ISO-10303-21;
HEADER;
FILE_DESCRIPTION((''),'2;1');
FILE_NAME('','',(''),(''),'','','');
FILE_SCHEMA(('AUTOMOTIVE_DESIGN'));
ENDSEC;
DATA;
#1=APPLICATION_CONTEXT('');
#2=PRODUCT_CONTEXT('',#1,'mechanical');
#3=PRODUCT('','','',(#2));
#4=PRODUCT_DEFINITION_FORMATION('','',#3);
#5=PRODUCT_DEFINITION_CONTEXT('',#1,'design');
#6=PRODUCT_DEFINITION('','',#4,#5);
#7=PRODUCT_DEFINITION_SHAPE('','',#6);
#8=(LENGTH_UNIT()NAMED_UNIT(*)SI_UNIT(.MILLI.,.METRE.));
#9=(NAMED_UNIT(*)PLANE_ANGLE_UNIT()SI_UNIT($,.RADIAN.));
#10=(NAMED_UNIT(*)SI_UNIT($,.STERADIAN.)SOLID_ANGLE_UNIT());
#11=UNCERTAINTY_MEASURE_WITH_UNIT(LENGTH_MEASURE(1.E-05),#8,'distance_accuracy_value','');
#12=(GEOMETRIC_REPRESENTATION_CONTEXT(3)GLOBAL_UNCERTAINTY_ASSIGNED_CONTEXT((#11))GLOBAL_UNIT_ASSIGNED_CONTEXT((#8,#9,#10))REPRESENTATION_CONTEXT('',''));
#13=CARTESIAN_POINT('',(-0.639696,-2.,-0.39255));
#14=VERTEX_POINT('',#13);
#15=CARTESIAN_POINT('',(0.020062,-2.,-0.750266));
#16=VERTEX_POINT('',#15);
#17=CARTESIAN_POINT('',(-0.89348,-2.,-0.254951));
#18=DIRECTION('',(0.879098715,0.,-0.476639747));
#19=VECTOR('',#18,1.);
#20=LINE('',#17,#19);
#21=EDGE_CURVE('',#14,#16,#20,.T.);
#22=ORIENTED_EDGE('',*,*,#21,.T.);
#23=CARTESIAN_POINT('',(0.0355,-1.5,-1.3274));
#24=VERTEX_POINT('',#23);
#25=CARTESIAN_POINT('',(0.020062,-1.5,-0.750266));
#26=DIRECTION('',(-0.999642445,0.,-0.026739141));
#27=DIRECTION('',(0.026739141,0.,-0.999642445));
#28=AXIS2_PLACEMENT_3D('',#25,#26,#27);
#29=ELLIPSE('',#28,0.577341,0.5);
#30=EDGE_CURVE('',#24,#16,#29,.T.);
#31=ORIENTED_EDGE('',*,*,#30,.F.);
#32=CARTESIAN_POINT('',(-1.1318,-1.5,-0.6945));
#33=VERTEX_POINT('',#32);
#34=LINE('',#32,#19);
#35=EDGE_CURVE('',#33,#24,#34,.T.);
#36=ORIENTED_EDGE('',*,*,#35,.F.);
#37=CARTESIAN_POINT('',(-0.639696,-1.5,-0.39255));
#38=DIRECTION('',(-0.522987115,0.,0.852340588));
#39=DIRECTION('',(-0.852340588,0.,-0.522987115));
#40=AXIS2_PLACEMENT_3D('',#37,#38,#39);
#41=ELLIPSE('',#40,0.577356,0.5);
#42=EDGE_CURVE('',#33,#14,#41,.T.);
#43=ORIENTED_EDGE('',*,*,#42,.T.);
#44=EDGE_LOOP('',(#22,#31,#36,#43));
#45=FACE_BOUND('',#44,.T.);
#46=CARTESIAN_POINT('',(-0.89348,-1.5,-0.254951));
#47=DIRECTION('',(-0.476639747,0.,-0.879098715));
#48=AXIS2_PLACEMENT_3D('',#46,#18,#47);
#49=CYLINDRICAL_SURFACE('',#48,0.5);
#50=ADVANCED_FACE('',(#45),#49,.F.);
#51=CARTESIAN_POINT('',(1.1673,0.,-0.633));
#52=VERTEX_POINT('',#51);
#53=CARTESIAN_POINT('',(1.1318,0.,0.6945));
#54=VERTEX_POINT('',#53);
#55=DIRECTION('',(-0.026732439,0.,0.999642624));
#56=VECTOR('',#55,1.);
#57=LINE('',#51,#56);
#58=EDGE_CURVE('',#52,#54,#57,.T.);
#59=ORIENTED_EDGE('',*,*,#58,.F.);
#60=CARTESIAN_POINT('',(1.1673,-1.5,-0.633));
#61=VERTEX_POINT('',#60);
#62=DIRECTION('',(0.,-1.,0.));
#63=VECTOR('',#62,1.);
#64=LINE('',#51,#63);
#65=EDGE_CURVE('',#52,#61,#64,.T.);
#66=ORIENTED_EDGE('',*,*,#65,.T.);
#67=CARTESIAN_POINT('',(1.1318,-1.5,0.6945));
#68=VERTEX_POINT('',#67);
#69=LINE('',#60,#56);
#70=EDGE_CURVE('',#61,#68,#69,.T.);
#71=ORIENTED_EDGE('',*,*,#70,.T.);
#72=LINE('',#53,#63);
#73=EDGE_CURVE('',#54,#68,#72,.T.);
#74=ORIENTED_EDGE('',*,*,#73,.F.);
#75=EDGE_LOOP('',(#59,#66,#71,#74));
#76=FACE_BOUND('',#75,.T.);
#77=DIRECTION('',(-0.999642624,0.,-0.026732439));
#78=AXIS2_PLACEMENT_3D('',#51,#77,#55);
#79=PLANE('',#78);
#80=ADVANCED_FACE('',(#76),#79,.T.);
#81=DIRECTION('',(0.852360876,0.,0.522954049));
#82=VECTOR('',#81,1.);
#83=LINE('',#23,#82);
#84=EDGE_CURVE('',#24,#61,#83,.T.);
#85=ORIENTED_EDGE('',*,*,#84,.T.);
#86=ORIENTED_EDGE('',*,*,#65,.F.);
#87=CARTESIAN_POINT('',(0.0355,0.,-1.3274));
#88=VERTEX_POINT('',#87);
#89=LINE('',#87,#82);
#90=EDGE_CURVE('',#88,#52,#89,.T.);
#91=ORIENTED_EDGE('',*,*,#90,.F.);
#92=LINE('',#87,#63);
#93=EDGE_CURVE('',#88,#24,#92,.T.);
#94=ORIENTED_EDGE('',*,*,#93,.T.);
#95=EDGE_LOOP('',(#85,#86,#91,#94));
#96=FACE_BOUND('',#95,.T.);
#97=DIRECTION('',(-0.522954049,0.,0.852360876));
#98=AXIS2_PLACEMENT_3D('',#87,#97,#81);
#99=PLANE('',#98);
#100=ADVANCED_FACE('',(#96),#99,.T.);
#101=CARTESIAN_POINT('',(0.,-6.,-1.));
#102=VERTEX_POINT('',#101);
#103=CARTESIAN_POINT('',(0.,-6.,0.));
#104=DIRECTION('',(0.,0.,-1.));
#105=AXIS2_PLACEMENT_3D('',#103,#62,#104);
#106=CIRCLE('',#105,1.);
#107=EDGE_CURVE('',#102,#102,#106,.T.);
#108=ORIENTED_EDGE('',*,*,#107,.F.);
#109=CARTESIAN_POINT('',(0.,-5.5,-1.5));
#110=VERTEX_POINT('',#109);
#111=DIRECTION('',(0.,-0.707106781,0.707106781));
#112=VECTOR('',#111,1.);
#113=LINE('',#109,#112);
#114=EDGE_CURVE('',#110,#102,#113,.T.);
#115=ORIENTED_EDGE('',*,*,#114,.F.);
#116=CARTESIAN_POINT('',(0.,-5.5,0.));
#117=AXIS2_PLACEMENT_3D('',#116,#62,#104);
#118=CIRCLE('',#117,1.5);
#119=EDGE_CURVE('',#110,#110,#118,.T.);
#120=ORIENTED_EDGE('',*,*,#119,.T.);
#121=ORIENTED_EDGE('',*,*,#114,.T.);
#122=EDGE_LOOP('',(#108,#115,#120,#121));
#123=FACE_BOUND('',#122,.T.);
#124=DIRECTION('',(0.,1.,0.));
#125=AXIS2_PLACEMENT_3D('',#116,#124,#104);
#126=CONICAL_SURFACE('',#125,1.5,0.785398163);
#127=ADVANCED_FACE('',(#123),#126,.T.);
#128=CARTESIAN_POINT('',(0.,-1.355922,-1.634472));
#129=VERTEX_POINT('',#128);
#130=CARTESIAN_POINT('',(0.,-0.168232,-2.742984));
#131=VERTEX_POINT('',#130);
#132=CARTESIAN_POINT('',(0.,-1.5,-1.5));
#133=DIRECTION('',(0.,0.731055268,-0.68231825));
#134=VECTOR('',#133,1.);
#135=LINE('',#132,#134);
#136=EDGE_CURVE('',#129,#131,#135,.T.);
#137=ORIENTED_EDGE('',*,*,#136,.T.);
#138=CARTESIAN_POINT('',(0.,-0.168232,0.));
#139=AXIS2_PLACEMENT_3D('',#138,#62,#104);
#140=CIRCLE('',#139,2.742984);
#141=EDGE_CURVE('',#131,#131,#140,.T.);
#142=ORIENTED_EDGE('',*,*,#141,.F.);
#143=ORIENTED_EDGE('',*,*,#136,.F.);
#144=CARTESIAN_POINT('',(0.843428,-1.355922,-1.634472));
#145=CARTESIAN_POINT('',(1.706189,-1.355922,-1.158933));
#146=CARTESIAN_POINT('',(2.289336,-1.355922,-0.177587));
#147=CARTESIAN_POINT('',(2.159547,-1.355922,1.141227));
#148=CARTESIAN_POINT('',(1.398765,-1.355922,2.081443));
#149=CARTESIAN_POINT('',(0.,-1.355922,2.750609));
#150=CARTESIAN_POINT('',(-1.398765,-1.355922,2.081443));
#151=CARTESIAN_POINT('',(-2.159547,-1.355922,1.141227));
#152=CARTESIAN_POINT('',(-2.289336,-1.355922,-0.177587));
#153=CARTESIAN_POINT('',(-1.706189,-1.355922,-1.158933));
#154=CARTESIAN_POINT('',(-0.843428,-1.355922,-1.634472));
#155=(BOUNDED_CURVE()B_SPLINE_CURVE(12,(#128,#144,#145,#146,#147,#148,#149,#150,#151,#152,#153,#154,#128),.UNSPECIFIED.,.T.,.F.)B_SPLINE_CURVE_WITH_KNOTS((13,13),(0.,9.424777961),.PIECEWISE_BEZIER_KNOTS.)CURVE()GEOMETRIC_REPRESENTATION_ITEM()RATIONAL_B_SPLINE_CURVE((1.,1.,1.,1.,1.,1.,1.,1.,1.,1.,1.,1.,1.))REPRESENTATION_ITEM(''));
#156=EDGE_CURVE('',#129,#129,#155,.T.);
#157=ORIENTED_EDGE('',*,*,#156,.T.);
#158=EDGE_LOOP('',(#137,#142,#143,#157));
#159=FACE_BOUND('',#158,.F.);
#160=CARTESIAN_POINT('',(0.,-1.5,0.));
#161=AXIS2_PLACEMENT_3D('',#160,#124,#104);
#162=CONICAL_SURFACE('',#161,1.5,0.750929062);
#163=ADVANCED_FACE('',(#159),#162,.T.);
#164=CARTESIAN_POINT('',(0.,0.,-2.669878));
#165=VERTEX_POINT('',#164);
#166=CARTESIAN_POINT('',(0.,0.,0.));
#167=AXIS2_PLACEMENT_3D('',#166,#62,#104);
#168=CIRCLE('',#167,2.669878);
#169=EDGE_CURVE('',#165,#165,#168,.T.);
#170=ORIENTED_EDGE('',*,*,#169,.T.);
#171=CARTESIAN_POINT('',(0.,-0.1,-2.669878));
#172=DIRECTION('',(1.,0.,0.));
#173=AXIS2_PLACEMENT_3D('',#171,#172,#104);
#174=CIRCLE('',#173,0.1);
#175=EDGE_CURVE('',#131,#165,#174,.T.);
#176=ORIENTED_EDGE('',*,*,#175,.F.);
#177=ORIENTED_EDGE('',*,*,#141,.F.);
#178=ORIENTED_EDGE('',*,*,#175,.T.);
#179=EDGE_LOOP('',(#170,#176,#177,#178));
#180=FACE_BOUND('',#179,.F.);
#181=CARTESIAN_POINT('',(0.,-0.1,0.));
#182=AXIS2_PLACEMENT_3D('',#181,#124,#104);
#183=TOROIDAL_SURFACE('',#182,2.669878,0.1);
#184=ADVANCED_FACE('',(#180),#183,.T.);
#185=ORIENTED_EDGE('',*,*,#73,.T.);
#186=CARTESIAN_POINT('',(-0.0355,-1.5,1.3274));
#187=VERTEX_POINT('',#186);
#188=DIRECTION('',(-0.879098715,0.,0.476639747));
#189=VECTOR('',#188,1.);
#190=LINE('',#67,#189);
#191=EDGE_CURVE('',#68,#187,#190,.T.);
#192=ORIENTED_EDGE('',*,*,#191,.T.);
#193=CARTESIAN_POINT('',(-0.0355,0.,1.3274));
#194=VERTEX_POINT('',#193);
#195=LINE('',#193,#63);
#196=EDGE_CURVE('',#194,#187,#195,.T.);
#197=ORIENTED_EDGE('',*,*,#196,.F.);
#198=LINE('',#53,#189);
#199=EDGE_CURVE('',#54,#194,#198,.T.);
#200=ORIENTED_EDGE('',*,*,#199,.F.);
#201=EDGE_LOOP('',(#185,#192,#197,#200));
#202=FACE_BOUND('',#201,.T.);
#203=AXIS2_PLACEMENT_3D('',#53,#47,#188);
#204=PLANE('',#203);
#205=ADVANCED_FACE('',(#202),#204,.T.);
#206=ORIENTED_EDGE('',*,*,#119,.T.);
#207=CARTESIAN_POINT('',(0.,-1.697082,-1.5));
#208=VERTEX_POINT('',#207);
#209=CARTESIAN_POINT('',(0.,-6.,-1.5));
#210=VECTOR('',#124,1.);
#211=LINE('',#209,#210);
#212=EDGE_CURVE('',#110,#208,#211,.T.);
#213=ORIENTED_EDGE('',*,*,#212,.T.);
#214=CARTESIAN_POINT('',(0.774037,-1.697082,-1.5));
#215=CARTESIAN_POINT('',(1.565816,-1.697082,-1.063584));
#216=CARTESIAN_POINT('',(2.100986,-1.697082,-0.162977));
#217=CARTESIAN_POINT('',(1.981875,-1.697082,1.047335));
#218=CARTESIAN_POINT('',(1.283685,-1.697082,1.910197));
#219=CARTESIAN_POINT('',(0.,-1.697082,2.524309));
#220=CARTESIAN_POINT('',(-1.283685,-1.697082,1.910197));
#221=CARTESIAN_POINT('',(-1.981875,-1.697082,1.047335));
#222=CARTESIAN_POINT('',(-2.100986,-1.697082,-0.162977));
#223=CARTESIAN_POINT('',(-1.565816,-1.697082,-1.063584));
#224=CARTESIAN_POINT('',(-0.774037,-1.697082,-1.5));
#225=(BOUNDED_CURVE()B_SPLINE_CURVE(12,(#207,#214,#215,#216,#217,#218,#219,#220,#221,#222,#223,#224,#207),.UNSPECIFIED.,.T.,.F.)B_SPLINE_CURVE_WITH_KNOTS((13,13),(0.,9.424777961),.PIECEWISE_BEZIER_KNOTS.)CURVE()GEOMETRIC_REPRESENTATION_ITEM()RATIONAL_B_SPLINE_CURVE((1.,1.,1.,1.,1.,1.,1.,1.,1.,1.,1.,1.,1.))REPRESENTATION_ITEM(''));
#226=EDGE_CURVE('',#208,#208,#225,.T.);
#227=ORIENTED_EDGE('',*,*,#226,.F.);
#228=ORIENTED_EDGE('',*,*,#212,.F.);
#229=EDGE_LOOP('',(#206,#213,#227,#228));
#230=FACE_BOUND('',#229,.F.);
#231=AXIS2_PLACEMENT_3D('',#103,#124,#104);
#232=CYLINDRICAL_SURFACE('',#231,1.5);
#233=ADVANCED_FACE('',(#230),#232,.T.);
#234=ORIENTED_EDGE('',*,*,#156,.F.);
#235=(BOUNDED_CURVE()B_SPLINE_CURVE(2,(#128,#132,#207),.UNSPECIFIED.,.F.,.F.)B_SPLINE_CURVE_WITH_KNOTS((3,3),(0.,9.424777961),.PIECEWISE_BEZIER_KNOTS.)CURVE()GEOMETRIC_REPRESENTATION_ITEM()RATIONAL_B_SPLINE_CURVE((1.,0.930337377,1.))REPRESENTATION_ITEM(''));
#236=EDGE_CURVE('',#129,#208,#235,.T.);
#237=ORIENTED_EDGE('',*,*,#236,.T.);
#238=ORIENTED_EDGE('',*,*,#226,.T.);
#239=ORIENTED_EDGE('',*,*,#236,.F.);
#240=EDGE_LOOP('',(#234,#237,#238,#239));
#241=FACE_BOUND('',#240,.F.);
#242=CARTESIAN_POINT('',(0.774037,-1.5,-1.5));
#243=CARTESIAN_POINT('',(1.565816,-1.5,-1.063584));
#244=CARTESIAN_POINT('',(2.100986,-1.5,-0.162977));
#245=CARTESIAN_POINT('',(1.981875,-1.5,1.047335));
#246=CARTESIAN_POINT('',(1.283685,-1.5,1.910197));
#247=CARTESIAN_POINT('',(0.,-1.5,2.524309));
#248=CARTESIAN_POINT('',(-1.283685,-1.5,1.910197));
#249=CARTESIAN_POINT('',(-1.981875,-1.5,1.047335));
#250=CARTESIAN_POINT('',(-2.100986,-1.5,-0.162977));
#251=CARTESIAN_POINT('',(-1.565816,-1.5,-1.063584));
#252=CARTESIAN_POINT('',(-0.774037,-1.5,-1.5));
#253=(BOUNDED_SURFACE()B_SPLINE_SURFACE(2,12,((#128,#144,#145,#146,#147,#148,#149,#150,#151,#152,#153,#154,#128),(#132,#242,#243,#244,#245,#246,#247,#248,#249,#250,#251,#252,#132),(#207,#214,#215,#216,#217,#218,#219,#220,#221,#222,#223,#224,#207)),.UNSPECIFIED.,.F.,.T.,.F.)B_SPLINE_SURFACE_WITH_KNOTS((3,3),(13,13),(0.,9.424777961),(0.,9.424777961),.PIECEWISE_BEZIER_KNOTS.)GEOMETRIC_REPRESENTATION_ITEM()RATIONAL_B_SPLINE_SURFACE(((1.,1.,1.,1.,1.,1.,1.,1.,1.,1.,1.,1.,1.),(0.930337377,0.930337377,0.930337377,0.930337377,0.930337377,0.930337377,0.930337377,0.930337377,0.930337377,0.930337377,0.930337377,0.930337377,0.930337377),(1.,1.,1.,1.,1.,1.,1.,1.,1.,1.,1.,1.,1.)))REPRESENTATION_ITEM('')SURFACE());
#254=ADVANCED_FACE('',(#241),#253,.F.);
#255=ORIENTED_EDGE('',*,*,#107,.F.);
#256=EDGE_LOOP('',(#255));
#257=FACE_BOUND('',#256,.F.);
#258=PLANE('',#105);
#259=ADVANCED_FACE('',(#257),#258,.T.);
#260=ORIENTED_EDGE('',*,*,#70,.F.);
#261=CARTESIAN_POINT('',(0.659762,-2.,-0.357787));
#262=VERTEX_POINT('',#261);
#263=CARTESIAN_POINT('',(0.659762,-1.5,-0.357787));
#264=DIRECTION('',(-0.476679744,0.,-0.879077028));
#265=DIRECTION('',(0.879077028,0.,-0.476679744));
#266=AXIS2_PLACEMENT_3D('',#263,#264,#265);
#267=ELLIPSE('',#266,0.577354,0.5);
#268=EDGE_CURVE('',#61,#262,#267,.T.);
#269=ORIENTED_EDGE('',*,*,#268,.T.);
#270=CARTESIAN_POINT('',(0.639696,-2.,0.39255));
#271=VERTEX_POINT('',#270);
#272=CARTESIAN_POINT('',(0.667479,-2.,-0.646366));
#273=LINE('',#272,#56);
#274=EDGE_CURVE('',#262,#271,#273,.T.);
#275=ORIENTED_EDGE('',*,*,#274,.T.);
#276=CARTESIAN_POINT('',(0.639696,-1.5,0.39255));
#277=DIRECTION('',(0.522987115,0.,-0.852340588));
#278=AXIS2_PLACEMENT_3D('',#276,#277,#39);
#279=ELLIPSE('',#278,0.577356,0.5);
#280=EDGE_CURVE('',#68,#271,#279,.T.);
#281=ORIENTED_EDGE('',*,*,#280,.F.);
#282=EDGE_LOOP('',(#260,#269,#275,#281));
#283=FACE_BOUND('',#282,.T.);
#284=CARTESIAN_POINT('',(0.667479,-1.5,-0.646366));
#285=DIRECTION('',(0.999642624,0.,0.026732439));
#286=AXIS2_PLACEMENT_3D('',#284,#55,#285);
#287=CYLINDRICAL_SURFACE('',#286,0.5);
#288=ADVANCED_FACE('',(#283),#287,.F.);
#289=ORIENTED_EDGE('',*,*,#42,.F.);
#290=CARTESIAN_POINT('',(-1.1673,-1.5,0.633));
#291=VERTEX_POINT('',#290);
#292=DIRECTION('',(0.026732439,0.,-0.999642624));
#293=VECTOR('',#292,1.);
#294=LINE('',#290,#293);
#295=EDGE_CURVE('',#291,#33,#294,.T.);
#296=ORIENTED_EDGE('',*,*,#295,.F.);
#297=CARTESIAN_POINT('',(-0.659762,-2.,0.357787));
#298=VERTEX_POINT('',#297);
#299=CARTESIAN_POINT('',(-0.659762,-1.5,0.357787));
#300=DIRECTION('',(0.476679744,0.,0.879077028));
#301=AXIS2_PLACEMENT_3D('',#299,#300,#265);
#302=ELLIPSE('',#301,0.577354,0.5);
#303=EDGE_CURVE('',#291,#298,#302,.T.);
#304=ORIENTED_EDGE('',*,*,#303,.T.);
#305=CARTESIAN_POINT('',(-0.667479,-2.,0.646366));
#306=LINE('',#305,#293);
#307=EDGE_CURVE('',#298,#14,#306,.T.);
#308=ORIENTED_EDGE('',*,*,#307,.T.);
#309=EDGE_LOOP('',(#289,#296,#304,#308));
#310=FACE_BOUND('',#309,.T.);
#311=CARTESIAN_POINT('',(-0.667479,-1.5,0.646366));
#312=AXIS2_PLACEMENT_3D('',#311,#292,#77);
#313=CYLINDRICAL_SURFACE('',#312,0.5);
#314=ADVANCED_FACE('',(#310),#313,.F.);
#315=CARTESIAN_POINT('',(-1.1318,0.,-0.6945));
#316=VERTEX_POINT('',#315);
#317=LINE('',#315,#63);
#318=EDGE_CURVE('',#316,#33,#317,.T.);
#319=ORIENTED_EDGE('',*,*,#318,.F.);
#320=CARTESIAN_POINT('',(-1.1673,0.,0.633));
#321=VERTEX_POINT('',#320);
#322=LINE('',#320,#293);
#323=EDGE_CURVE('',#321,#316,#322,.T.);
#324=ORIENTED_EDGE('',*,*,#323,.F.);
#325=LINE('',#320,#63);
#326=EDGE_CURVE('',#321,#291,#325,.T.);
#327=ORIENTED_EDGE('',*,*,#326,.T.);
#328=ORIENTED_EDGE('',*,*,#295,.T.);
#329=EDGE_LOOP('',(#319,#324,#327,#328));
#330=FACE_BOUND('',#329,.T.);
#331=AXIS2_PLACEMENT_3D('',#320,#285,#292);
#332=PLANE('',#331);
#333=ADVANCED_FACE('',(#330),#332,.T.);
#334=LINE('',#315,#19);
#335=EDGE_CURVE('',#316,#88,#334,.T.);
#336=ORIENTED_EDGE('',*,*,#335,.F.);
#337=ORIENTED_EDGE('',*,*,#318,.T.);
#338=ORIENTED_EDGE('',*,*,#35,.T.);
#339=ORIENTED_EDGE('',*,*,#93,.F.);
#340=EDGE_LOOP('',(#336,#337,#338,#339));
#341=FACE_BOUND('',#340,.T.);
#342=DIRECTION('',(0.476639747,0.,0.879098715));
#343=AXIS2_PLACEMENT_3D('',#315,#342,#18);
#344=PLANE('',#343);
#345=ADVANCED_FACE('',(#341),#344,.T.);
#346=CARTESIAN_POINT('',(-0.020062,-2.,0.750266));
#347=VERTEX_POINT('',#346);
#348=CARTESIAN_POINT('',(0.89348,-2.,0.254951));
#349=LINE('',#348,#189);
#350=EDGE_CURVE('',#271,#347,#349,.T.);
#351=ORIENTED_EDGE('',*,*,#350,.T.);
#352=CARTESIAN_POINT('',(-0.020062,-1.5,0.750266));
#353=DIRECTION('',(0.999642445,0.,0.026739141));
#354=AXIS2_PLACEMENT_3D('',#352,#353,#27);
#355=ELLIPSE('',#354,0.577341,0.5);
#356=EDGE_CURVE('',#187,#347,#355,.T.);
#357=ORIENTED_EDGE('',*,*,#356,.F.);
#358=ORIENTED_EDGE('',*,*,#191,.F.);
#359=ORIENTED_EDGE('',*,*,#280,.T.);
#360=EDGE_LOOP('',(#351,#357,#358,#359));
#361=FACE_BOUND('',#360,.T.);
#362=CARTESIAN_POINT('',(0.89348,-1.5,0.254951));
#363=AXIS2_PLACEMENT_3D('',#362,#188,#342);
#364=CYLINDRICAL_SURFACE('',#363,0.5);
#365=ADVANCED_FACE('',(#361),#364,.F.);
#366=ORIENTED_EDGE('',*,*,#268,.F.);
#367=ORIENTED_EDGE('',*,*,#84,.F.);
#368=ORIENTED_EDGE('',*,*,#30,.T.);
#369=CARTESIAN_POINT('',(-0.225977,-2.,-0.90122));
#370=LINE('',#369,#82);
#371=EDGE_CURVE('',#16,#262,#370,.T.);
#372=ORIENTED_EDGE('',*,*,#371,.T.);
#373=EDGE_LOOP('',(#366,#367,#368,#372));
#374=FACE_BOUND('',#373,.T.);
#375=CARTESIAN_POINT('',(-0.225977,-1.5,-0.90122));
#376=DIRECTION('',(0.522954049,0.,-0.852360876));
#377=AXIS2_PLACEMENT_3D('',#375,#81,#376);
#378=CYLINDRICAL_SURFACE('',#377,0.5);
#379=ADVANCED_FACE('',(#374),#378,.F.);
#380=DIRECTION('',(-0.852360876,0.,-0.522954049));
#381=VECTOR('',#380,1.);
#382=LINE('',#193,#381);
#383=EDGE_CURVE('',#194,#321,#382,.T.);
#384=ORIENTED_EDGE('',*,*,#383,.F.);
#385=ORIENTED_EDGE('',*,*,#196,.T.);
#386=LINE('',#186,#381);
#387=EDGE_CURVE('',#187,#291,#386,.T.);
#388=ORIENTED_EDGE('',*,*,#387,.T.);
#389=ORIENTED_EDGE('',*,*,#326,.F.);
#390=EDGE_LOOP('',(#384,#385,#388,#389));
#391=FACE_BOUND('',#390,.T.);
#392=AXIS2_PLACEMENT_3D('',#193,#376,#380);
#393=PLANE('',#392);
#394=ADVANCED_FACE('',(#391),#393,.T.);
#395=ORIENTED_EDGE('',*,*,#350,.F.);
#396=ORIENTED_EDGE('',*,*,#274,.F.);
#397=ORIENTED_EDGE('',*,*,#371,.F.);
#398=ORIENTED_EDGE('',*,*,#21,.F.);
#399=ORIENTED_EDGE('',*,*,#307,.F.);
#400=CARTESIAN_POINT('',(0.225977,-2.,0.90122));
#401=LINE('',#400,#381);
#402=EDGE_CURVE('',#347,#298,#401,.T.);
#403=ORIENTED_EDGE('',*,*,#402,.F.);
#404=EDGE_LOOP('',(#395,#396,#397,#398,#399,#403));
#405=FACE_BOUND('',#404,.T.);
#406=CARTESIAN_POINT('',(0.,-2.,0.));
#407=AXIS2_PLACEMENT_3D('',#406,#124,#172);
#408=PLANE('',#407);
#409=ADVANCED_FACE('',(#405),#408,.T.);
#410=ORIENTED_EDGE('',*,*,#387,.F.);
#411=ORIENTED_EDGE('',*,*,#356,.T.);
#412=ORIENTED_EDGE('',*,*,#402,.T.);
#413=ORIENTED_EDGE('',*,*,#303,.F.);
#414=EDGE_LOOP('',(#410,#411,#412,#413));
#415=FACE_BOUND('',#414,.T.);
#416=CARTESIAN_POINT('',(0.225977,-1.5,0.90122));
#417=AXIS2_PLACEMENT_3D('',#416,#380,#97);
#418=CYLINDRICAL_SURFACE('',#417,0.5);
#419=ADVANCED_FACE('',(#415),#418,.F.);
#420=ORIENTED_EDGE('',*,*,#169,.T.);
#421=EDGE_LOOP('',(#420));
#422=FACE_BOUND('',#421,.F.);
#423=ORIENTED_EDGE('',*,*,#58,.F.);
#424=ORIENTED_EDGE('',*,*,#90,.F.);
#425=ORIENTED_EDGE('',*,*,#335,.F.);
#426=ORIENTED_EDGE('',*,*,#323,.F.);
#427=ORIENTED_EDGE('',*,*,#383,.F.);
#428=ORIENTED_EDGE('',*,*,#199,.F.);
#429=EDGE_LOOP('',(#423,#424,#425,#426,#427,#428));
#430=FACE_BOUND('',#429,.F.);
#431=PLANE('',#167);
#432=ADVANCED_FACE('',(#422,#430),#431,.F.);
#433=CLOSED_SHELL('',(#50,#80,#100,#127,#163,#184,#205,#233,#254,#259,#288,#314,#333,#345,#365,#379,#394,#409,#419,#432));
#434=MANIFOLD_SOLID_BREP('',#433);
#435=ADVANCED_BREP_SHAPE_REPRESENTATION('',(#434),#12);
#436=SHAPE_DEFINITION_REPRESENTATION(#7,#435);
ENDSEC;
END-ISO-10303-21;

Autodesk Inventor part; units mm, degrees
ref_plane "YZ Plane" through (0, 0, 0) normal (1, 0, 0) x (0, 1, 0)
ref_plane "XZ Plane" through (0, 0, 0) normal (0, 1, 0) x (-1, 0, 0)
ref_plane "XY Plane" through (0, 0, 0) normal (0, 0, 1) x (1, 0, 0)
sketch "Szkic2" plane through (0, 0, 0) normal (1, 0, 0) x (0, 1, 0)
  line L0 (0, -2.9) -> (0, 2.9)
  line L1 (-1.5, -1.5) -> (-1.5, 1.5)
  line L2 (-1.5, -1.5) -> (0, -2.9)
  line L3 (-1.5, 1.5) -> (0, 2.9)
  line L4 (0, 0) -> (-6, 0)
  line L5 (-6, 0) -> (-6, -1.5)
  line L6 (-6, -1.5) -> (-1.5, -1.5)
  dimension "d0" = 5.8
  dimension "d2" = 3
  dimension "d3" = 1.5
  dimension "d4" = 6
  dimension "d5" = 1.5
revolve "Obrót1" add sketch "Szkic2" angle 360 about axis through (0, 0, 0) along (0, -1, 0) contours L2 L1 L4 L0 | L6 L5 L4 L1
sketch "Szkic3" plane through (0, 0, 0) normal (0, 1, 0) x (1, 0, 0)
  line L0 (-1.1673, -0.633) -> (-1.1318, 0.6945)
  line L1 (-1.1318, 0.6945) -> (0.0355, 1.3274)
  line L2 (0.0355, 1.3274) -> (1.1673, 0.633)
  line L3 (1.1673, 0.633) -> (1.1318, -0.6945)
  line L4 (1.1318, -0.6945) -> (-0.0355, -1.3274)
  line L5 (-0.0355, -1.3274) -> (-1.1673, -0.633)
  point P0 (0, 0)
  point P1 (0, 0)
  dimension "d7" = 2.3
extrude "Wyciągnięcie proste1" cut sketch "Szkic3" against normal blind 2
fillet "Zaokrąglenie1" radius 0.5 6 edges at (-1.1496, -2, -0.0308) (-0.6014, -2, 0.9802) (-0.5482, -2, -1.011) (0.6014, -2, -0.9802) (0.5482, -2, 1.011) (1.1496, -2, 0.0308)
fillet "Zaokrąglenie2" radius 0.5 1 edges at (0, -1.5, 1.5)
fillet "Zaokrąglenie3" radius 0.1 1 edges at (0, 0, 2.9)
thread "Gwint1" size "M3x0.5" class "6g" standard "ANSI Metric M Profile" full length
chamfer "Faza1" distance 0.5 angle 45 1 edges at (0, -6, 1.5)
properties part number "Screw M3 6mm flat head"
